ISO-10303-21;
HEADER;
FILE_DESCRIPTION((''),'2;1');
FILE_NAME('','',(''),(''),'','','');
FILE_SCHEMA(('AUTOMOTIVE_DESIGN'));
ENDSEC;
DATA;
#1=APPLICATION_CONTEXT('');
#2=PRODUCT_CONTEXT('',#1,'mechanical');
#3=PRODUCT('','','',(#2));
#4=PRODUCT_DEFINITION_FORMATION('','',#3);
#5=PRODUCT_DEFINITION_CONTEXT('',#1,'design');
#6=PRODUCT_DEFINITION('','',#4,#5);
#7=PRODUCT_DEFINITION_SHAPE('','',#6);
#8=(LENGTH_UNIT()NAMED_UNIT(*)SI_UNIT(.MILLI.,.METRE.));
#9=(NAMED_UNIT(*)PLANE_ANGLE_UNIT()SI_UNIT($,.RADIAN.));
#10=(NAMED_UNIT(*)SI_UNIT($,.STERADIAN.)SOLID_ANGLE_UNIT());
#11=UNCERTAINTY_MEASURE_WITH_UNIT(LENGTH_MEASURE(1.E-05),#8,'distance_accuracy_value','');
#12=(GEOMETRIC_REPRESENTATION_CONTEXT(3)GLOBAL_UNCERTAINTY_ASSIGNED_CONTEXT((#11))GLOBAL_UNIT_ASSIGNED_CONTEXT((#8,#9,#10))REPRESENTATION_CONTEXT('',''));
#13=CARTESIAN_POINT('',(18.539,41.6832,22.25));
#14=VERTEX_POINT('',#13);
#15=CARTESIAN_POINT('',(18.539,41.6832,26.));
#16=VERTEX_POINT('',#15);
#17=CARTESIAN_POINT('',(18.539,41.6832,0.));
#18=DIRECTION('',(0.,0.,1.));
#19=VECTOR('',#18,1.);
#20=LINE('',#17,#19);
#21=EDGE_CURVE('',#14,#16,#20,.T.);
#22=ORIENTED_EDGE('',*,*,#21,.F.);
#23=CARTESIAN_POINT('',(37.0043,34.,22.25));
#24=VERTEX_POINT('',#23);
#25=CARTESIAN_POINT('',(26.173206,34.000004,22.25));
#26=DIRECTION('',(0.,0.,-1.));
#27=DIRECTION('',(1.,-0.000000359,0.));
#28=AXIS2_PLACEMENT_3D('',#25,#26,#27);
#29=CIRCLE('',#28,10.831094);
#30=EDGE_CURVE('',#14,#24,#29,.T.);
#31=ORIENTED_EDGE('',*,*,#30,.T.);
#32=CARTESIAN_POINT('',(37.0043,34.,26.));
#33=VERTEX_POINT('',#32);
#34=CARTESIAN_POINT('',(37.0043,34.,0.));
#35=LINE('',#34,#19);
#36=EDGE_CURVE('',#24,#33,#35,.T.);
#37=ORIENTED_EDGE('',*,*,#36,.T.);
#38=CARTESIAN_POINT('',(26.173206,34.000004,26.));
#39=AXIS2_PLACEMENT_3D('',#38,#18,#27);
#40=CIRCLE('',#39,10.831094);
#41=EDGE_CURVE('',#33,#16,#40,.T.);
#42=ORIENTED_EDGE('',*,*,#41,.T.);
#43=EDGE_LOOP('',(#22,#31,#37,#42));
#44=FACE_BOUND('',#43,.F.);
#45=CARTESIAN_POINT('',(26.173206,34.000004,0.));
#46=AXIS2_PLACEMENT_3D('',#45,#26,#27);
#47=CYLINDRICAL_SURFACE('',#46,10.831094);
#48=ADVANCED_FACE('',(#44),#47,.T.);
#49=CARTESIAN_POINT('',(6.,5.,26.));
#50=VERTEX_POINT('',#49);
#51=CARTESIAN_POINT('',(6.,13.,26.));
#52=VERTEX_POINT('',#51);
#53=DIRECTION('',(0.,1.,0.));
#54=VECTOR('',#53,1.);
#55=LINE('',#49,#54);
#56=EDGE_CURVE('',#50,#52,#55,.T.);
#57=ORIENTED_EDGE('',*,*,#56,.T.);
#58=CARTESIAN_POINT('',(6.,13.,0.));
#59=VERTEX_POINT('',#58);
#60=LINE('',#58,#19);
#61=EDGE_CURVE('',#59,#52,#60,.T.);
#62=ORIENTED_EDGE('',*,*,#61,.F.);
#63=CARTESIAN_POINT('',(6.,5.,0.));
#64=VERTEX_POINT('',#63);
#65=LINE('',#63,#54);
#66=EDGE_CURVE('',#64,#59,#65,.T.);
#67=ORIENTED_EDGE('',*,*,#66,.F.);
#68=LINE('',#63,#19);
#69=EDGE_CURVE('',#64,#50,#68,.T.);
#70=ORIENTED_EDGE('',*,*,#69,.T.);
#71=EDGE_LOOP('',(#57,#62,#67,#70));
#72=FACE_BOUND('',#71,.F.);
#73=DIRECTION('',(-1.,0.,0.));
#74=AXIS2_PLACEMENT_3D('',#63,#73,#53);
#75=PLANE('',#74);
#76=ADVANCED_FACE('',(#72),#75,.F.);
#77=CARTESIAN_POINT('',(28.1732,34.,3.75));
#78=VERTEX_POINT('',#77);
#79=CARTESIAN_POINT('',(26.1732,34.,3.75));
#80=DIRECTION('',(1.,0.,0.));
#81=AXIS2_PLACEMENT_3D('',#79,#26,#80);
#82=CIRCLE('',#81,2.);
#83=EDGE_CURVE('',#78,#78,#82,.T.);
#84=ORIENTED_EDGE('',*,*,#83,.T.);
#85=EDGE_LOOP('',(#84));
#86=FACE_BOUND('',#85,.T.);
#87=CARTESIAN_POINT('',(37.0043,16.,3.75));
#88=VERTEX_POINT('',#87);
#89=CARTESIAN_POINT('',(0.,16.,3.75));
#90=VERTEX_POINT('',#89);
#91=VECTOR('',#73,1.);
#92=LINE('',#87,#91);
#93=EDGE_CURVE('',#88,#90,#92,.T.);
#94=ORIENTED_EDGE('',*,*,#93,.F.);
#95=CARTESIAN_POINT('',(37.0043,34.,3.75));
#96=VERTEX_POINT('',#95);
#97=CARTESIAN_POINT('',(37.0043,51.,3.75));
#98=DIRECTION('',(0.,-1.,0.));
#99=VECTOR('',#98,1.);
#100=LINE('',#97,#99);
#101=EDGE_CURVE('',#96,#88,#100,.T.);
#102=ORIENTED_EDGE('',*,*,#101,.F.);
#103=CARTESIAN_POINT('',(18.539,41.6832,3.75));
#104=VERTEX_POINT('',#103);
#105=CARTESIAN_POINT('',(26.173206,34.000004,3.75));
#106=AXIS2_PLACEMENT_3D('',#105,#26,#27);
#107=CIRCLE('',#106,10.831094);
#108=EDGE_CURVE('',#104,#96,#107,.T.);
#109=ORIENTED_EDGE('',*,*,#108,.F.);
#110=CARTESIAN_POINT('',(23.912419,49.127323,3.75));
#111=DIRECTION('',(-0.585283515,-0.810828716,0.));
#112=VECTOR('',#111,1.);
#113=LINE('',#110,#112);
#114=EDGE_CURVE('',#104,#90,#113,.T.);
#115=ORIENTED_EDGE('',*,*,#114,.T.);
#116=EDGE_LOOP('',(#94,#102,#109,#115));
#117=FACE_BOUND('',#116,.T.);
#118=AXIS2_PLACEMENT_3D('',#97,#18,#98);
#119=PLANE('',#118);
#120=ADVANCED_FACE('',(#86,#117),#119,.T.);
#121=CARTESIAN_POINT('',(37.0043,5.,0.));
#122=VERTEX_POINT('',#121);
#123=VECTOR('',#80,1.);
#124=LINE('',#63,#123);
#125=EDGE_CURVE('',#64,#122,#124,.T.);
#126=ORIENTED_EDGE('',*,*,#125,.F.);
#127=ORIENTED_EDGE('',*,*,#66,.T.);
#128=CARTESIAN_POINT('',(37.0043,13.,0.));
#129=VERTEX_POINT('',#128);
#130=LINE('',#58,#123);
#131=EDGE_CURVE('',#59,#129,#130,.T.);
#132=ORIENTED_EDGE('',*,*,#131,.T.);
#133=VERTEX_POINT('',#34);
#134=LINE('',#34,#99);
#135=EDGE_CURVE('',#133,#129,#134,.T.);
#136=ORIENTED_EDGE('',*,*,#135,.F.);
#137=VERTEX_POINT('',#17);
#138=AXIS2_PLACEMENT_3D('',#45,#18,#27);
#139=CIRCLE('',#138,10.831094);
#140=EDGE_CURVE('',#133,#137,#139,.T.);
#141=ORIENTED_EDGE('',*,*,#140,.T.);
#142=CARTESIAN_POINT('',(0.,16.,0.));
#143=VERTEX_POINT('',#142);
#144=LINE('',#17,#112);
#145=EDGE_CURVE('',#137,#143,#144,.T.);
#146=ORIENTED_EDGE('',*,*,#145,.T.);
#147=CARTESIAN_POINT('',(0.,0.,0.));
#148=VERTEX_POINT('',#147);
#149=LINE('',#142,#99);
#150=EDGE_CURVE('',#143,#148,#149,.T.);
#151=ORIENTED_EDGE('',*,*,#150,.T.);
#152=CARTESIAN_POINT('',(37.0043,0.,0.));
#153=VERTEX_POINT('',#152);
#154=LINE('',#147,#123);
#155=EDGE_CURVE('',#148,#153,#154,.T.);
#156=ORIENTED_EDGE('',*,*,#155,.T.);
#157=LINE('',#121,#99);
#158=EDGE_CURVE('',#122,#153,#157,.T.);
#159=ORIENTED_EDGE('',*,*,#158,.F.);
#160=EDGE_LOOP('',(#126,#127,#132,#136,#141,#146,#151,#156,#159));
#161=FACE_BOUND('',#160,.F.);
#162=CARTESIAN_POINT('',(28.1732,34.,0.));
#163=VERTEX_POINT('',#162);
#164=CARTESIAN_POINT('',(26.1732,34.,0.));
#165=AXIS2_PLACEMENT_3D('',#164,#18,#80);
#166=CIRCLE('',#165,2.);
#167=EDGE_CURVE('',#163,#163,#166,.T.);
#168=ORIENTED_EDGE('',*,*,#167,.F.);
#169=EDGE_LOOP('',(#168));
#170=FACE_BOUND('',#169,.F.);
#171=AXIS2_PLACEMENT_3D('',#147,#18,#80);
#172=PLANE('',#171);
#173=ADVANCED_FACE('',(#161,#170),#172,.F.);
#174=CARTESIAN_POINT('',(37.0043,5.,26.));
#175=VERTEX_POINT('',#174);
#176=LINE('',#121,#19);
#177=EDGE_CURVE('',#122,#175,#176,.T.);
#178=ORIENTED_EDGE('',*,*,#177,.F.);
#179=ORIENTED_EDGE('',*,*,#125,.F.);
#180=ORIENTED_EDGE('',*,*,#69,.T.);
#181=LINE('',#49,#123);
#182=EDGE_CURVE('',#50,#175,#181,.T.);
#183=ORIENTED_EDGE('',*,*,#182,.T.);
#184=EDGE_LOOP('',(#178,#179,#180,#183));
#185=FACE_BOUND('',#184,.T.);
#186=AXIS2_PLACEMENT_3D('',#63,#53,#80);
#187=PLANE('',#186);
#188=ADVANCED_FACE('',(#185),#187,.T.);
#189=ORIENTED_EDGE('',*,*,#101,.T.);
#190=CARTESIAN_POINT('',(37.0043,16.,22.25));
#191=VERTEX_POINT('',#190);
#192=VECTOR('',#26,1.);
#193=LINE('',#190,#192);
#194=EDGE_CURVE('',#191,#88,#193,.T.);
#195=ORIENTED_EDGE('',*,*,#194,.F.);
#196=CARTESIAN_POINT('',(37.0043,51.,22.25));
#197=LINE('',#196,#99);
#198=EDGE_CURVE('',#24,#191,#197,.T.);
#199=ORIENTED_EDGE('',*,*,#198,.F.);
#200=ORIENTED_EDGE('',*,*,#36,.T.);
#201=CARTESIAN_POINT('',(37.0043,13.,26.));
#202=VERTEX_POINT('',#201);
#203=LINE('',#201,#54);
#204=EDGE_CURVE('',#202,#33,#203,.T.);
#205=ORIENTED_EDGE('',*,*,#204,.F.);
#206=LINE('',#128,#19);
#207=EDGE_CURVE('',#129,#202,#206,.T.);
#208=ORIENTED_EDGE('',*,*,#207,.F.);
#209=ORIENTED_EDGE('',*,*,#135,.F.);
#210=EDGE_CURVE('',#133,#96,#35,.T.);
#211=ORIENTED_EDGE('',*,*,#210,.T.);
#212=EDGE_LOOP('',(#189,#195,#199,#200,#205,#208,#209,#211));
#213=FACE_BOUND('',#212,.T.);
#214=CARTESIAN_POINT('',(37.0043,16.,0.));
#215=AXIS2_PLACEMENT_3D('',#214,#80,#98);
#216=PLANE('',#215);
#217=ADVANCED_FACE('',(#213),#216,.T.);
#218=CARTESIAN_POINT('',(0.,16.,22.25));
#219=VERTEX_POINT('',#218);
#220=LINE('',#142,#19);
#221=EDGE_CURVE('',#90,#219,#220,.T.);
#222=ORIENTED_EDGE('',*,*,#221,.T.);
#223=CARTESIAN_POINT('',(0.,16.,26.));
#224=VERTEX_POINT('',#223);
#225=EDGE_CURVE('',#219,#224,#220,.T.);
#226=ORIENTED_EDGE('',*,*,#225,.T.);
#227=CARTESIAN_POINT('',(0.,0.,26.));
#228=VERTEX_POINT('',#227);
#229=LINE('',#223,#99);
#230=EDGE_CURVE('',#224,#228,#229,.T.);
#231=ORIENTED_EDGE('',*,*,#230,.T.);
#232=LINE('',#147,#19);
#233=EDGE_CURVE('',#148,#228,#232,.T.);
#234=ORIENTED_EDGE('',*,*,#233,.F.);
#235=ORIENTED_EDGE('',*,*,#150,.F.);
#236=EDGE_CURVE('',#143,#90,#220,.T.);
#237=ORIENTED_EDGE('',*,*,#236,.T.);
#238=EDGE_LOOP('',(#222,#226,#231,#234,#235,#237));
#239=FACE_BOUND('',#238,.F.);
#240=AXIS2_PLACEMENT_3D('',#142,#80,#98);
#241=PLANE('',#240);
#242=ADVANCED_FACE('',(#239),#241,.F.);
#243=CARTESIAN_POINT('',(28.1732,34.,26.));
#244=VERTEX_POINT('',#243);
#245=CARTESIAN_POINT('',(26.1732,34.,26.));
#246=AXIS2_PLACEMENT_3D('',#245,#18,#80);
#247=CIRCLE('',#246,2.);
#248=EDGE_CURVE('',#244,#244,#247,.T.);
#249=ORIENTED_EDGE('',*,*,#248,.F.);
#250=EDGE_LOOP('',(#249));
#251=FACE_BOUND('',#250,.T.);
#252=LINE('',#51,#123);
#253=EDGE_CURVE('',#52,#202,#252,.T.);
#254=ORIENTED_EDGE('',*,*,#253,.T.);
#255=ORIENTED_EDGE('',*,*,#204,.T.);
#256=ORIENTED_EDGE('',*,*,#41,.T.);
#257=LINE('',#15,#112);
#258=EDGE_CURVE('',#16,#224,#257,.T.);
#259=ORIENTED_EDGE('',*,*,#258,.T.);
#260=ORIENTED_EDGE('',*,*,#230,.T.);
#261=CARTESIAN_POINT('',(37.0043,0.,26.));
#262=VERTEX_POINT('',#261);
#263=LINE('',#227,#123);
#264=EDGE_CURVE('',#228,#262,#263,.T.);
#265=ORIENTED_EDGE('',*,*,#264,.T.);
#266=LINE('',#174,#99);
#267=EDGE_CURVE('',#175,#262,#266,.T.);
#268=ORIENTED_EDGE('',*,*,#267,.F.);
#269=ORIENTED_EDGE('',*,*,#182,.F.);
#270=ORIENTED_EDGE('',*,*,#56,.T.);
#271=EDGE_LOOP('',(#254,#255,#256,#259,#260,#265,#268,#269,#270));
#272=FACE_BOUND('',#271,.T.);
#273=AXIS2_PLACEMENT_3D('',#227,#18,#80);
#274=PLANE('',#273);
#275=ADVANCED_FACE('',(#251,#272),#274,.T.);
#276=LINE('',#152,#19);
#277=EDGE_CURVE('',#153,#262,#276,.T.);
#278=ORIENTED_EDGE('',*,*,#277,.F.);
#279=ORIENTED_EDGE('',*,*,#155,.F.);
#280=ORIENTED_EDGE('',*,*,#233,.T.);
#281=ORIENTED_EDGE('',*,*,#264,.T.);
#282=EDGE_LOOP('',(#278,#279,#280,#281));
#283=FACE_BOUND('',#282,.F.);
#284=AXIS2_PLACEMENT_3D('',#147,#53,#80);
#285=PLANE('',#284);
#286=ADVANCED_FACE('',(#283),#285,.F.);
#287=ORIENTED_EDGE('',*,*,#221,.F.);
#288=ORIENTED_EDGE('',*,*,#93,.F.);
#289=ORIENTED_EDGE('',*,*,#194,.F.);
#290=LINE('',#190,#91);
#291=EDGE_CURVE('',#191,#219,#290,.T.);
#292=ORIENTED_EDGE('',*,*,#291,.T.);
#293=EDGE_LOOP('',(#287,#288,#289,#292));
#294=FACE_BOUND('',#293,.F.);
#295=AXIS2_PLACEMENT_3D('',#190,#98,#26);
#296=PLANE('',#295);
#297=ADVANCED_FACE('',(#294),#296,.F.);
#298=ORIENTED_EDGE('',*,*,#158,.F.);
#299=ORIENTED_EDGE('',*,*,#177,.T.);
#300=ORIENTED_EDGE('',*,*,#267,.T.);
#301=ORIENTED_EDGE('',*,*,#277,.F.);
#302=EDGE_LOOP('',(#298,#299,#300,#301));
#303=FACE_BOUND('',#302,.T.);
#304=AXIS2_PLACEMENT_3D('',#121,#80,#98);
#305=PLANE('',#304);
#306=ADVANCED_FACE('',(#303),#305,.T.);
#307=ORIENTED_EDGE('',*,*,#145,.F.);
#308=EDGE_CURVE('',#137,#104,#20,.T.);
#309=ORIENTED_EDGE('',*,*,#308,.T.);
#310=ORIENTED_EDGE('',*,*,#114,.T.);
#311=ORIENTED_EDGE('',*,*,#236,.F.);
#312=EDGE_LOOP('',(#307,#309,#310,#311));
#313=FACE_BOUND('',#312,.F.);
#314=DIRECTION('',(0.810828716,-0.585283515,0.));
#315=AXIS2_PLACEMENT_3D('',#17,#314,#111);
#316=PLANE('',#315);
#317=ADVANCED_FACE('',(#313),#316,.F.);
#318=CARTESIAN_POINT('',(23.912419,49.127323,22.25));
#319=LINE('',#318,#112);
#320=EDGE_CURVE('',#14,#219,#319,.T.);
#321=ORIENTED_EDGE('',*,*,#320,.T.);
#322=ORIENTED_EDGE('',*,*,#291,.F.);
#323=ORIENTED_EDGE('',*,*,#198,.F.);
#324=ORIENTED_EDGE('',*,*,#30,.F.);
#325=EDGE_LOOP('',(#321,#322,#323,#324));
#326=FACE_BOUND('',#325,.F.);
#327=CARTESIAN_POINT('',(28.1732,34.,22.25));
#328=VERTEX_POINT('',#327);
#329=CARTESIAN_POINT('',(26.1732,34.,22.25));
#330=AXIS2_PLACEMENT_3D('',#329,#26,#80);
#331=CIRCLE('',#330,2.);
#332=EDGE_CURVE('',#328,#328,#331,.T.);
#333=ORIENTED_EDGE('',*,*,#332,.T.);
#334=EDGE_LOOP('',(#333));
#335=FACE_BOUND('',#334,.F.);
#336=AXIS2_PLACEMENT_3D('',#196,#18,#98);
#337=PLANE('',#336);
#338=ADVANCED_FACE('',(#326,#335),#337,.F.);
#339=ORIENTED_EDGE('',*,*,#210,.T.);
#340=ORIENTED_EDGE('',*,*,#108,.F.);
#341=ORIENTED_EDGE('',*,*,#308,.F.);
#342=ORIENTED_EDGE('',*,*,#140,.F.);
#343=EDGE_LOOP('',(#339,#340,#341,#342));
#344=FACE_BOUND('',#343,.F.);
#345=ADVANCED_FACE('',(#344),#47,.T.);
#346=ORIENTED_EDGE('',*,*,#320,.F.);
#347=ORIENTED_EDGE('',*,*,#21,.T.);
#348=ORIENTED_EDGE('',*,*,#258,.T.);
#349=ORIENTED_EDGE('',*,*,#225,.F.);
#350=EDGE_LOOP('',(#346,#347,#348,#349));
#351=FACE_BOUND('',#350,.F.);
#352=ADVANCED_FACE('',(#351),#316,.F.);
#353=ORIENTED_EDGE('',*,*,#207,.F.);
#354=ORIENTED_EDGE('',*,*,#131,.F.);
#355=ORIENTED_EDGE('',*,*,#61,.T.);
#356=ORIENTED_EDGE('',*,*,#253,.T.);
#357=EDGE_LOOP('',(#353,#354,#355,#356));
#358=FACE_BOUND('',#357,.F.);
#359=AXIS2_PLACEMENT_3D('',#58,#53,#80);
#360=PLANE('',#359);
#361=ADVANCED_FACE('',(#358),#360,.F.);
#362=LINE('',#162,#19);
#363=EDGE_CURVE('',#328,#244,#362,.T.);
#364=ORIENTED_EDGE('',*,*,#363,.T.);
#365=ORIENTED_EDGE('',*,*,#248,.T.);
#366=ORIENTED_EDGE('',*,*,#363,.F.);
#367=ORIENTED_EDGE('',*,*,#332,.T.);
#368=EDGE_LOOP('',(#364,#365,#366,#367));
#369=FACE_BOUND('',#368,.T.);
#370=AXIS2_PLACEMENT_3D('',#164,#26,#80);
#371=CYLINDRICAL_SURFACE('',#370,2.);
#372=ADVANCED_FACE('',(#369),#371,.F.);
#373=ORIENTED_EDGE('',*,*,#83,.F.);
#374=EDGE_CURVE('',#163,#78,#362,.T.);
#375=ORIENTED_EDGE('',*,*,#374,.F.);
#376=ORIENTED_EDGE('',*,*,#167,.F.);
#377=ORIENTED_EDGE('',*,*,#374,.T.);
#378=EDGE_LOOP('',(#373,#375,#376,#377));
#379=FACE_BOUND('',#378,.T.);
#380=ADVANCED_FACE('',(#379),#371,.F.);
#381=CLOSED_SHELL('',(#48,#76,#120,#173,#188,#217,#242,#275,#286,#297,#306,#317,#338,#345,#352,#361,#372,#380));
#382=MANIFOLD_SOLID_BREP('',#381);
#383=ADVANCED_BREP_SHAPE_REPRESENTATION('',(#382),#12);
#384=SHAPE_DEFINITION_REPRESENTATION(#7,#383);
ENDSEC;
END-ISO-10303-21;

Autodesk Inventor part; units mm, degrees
ref_plane "YZ Plane" through (0, 0, 0) normal (1, 0, 0) x (0, 1, 0)
ref_plane "XZ Plane" through (0, 0, 0) normal (0, 1, 0) x (-1, 0, 0)
ref_plane "XY Plane" through (0, 0, 0) normal (0, 0, 1) x (1, 0, 0)
sketch "Sketch1" plane through (0, 0, 0) normal (0, 0, 1) x (1, 0, 0)
  line L0 (6, 5) -> (6, 13)
  line L1 (0, 16) -> (0, 0)
  arc A0 (37.0043, 34) -> (18.539, 41.6832) centre (26.1732, 34) ccw
  line L2 (18.539, 41.6832) -> (0, 16)
  circle A1 centre (26.1732, 34) radius 2
  line L3 (37.0043, 5) -> (37.0043, 0)
  line L4 (6, 5) -> (37.0043, 5)
  line L5 (0, 0) -> (37.0043, 0)
  line L6 (6, 13) -> (37.0043, 13)
  line L7 (0, 16) -> (37.0043, 16)
  line L8 (37.0043, 34) -> (37.0043, 13)
  dimension "d3" = 8
  dimension "d6" = 18
  dimension "d7" = 20
  dimension "d8" = 4
  dimension "d9" = 3
  dimension "d10" = 5
  dimension "d11" = 16
  dimension "d12" = 37.0043
  dimension "d13" = 31.0043
  dimension "d14" = 26.1732
extrude "Extrusion1" add sketch "Sketch1" along normal blind 26
sketch "Sketch2" plane through (0, 0, 26) normal (0, 0, 1) x (1, 0, 0)
  point P0 (0, 0)
sketch "Sketch3" plane through (37.0043, 13, 0) normal (1, 0, 0) x (0, 0, -1)
  line L0 (0, 0) -> (-26, 0) projected
  line L1 (-13, 38) -> (-3.75, 38)
  line L2 (-3.75, 38) -> (-3.75, 3)
  line L3 (-13, 38) -> (-22.25, 38)
  line L4 (-22.25, 38) -> (-22.25, 3)
  line L5 (-22.25, 3) -> (-3.75, 3)
  line L6 (0, 0) -> (-26, 0) projected
  point P0 (0, -13)
  point P1 (-26, 3)
  dimension "d19" = 9.25
  dimension "d20" = 9.25
extrude "Extrusion2" cut sketch "Sketch3" against normal through all
properties part number "Maintients poullies V2 alpha"
